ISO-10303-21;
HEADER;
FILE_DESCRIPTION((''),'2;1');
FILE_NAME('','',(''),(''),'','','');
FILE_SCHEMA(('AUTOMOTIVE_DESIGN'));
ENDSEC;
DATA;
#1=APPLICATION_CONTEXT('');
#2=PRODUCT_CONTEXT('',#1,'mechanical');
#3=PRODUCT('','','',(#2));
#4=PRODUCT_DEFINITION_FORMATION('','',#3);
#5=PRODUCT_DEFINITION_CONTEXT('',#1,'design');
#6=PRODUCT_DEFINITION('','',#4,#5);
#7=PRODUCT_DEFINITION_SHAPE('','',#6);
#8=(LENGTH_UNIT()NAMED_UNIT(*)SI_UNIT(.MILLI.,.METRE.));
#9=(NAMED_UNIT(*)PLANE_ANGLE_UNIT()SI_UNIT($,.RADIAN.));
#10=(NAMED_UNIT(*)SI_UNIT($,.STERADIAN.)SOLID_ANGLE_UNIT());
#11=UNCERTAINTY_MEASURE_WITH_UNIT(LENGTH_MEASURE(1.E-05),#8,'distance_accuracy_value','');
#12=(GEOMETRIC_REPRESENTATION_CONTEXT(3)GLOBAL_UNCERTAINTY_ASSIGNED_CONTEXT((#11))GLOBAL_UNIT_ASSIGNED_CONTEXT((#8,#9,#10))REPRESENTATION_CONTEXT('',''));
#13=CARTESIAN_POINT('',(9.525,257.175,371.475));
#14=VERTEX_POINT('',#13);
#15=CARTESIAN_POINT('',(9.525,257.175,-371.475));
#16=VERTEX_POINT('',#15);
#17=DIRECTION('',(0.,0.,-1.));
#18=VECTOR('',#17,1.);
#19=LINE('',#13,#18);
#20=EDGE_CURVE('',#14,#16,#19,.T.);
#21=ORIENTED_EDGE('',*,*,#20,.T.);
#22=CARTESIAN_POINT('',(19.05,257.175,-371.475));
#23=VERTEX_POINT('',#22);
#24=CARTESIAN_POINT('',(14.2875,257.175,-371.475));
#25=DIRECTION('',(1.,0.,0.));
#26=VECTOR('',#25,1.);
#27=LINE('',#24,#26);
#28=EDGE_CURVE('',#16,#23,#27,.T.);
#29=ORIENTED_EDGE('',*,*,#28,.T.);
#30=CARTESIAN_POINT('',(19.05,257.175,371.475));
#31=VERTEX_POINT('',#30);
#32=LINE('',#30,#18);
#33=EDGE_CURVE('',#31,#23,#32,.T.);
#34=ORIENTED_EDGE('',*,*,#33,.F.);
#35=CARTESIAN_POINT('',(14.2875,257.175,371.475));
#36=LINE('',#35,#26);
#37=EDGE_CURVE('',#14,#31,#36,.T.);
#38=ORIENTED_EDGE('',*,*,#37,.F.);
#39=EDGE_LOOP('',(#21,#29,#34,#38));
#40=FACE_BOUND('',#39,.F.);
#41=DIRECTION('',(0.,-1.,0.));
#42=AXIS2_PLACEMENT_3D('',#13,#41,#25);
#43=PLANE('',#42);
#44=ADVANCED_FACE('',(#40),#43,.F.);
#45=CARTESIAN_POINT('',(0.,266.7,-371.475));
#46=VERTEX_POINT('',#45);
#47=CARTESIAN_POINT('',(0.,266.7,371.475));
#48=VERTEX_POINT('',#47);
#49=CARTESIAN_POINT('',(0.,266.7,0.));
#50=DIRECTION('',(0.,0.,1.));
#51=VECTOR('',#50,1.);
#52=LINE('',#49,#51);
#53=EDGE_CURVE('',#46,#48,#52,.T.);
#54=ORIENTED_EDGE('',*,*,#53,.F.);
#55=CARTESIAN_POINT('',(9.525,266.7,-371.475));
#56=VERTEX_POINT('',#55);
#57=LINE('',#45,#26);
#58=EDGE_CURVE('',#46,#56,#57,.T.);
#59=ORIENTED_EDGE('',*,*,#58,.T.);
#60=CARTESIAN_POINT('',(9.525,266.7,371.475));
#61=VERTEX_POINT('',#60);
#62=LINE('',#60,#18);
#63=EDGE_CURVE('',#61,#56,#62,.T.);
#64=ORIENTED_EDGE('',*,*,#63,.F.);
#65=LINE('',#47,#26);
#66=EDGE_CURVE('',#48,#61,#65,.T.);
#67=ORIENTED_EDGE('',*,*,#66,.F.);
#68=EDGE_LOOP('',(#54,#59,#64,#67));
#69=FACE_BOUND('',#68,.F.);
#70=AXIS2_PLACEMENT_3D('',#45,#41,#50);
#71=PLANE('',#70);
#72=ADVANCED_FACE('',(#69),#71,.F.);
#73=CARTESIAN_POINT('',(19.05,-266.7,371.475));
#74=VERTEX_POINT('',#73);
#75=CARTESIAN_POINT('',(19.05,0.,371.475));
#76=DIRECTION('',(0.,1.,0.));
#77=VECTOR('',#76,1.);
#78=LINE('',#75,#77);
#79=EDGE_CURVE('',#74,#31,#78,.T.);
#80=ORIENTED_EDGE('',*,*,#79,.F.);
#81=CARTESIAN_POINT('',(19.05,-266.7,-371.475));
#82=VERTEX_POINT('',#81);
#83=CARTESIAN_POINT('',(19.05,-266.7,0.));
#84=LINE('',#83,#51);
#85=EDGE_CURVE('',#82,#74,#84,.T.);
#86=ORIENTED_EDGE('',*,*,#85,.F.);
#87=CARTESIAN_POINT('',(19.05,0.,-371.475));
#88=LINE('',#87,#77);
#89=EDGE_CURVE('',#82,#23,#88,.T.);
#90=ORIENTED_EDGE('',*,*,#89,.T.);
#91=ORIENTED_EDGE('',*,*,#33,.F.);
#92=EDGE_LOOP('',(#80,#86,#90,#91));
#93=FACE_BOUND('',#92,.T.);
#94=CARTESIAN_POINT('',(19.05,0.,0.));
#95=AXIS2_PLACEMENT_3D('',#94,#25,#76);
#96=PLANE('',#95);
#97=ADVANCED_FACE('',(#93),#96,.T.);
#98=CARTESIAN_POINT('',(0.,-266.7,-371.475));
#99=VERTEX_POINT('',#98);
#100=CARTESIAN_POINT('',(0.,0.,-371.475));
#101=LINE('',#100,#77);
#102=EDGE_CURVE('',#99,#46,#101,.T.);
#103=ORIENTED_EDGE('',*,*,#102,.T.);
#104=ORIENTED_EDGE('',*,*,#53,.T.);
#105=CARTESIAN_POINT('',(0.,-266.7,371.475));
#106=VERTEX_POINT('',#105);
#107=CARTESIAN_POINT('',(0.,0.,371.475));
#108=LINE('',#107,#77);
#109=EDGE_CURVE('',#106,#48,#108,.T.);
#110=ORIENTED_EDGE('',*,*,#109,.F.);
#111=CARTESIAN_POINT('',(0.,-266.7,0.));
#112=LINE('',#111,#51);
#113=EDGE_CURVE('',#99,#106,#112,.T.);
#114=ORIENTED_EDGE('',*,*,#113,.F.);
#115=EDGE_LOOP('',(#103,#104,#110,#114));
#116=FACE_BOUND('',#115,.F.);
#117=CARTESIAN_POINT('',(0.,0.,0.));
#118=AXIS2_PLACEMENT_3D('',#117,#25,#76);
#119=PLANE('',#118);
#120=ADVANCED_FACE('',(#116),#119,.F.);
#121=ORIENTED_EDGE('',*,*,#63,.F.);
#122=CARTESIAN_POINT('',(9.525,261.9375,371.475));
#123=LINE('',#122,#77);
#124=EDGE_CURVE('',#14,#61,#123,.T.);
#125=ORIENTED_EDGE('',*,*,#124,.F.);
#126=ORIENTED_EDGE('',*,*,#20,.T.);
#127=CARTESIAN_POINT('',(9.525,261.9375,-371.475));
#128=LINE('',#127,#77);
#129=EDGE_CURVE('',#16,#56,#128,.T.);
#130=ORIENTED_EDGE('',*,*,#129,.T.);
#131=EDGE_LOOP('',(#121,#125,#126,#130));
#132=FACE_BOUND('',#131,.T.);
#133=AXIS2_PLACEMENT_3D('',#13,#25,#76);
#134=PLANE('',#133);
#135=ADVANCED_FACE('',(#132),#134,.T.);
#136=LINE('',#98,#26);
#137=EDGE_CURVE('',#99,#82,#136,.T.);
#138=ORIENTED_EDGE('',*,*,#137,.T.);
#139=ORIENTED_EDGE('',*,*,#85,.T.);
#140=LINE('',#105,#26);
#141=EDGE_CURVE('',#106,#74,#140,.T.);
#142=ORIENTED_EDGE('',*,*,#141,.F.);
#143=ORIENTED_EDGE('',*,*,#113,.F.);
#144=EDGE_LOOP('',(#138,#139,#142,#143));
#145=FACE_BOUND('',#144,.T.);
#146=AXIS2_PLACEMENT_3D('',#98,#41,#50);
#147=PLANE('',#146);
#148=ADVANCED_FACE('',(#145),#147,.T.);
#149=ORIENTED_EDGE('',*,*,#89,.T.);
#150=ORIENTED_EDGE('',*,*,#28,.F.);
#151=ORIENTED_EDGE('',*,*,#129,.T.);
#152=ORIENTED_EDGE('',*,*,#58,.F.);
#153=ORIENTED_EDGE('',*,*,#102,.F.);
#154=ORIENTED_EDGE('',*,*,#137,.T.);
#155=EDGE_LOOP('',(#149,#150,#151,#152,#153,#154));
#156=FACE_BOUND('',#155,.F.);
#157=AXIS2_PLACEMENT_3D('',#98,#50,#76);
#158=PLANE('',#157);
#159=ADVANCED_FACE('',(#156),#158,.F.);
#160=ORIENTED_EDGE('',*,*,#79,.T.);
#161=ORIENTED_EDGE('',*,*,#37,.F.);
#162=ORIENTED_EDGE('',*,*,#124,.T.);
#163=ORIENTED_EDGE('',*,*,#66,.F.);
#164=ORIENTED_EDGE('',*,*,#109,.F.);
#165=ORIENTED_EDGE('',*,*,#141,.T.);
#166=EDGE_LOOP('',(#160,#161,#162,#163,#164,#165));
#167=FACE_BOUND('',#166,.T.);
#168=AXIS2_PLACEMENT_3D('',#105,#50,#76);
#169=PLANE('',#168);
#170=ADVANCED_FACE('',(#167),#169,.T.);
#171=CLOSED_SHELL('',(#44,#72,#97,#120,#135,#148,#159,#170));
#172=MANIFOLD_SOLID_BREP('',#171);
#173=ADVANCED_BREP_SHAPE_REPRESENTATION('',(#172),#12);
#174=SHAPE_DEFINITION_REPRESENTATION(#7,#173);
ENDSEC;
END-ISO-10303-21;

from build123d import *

# Parameters (mm, degrees)
F0_W     = 533.4
F0_H     = 742.95
F1_DEPTH = 19.05
F2_W     = 9.525
F2_H     = 9.525
F3_DEPTH = 742.95


with BuildPart() as f1:
    # F0 (on Right) → F1 (new body)
    with BuildSketch(Plane.YZ):
        Rectangle(F0_W, F0_H)
    extrude(amount=F1_DEPTH)

    # F2 (on face) → F3 (cut, through all)
    with BuildSketch(Plane.XY.offset(371.475)):
        with Locations((14.2875, 261.9375)):
            Rectangle(F2_W, F2_H)
    extrude(amount=-F3_DEPTH, mode=Mode.SUBTRACT)


solid = f1.part
